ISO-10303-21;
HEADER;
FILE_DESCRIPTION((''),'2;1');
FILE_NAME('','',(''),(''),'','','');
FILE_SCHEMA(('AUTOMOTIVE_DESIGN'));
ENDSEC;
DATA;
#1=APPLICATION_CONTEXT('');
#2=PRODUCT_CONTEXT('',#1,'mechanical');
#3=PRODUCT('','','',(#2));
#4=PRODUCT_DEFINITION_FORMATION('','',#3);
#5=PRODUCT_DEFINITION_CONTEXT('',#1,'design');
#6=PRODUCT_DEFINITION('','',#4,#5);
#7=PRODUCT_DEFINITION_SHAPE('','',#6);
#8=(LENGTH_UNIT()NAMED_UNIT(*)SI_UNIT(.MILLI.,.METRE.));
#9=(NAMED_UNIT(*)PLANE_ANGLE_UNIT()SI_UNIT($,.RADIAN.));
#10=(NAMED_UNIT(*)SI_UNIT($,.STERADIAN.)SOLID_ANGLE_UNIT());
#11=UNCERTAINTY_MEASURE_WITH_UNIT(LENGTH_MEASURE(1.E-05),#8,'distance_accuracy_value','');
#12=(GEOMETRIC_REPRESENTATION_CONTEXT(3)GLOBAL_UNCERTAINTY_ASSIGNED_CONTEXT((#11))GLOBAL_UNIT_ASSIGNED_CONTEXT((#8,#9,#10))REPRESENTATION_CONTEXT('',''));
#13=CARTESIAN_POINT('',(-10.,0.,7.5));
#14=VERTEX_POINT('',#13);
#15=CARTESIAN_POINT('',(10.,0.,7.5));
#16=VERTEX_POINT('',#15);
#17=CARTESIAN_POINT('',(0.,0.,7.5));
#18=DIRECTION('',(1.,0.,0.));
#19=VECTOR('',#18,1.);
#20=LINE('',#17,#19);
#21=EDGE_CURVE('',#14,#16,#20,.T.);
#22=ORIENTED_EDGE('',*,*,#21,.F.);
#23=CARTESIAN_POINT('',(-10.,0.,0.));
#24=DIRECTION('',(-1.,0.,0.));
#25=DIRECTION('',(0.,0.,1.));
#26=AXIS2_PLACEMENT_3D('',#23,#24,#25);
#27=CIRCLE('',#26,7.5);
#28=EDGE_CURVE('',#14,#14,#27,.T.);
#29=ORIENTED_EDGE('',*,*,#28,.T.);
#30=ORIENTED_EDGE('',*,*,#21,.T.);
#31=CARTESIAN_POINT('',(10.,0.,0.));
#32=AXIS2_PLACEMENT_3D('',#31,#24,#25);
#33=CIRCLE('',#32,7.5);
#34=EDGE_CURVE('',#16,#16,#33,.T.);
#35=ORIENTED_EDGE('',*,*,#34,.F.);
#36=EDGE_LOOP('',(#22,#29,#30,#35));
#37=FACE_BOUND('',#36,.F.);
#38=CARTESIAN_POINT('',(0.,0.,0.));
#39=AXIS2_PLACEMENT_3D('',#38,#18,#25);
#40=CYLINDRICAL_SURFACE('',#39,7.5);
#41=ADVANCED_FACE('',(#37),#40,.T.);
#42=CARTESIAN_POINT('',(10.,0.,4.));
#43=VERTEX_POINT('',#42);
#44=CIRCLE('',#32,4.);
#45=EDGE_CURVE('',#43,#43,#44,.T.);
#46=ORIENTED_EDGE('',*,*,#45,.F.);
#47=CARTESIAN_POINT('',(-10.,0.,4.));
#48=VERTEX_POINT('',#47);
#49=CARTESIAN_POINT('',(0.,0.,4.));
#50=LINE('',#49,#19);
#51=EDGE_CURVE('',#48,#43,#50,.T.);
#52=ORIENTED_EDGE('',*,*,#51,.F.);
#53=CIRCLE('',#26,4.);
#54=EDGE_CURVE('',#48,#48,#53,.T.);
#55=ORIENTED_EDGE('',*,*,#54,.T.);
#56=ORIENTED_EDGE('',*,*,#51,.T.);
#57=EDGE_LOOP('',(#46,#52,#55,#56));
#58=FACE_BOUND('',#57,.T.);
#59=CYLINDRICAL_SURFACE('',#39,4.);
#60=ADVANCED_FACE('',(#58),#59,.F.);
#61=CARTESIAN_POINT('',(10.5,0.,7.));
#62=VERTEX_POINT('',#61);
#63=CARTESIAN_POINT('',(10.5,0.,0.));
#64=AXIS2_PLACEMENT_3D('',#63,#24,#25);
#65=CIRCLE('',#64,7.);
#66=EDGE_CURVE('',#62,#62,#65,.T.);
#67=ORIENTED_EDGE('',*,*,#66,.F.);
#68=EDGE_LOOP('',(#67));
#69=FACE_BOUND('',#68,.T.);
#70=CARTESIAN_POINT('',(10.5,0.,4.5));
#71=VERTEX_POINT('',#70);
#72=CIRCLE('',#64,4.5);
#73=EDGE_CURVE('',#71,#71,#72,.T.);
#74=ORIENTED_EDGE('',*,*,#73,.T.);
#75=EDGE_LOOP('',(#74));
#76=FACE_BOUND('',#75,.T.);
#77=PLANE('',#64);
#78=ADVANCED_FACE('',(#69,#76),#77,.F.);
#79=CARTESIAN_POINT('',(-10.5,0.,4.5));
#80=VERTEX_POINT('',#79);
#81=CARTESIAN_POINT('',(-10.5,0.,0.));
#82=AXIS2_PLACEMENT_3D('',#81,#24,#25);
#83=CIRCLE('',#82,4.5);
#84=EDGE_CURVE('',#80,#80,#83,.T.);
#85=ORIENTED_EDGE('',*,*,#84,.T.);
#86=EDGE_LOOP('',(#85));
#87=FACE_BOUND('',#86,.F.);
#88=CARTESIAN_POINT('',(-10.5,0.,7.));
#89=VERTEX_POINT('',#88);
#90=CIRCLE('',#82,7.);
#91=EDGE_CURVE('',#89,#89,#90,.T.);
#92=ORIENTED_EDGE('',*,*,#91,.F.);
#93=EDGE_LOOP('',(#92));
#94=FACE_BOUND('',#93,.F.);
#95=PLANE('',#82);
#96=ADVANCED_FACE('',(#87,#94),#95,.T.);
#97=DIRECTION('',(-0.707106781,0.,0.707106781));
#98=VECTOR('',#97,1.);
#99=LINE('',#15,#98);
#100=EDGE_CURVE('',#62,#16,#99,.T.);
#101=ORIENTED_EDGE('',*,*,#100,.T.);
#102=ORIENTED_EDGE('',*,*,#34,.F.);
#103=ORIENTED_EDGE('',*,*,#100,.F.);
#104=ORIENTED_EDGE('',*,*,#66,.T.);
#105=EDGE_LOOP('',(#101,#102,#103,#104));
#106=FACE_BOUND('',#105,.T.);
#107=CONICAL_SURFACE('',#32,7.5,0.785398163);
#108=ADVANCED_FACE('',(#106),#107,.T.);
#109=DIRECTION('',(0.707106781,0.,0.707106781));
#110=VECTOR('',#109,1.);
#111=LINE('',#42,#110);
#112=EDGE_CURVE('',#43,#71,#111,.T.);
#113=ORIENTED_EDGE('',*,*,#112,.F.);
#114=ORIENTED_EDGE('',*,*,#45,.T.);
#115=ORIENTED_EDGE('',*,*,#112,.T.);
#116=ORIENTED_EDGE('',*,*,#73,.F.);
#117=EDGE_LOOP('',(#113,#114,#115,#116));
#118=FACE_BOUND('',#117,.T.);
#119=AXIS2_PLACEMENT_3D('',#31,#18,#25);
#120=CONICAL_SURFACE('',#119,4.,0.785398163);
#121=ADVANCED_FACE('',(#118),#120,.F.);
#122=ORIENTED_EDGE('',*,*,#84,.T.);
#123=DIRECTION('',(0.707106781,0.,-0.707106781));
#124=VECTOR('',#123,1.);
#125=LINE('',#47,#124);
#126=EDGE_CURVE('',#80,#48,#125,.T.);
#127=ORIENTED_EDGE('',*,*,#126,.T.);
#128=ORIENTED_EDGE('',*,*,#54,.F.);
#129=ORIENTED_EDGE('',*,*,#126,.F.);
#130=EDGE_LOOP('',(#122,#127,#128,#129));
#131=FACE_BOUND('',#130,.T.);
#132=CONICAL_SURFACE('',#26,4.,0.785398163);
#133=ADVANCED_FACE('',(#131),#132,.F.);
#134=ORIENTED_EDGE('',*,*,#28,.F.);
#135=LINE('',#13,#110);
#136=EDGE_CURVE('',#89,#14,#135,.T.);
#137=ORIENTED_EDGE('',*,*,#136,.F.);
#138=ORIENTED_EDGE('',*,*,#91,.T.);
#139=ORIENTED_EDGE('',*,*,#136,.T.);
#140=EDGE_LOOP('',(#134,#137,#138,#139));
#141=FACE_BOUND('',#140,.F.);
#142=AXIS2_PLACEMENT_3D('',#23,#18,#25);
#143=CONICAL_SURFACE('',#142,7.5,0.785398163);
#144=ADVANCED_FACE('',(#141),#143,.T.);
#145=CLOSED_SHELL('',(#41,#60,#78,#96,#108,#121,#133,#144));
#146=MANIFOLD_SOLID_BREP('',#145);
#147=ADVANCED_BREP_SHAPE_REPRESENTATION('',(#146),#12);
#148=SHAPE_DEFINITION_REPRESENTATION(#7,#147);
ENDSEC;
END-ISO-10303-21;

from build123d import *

# Parameters (mm, degrees)
F0_W    = 21
F0_H    = 3.5
F2_SIZE = 0.5


with BuildPart() as f1:
    # F0 (on Front) → F1 (revolve)
    with BuildSketch(Plane.XZ):
        with Locations((0, 5.75)):
            Rectangle(F0_W, F0_H)
    revolve(axis=Axis((-0.426252, 0, 0), (-1, 0, 0)))

    # F2
    f2_edges = [f1.edges().sort_by_distance(p)[0] for p in [
        (10.5, 0, -7.5),
        (10.5, 0, -4),
        (-10.5, 0, -4),
        (-10.5, 0, -7.5),
    ]]
    chamfer(f2_edges, length=F2_SIZE)


solid = f1.part
